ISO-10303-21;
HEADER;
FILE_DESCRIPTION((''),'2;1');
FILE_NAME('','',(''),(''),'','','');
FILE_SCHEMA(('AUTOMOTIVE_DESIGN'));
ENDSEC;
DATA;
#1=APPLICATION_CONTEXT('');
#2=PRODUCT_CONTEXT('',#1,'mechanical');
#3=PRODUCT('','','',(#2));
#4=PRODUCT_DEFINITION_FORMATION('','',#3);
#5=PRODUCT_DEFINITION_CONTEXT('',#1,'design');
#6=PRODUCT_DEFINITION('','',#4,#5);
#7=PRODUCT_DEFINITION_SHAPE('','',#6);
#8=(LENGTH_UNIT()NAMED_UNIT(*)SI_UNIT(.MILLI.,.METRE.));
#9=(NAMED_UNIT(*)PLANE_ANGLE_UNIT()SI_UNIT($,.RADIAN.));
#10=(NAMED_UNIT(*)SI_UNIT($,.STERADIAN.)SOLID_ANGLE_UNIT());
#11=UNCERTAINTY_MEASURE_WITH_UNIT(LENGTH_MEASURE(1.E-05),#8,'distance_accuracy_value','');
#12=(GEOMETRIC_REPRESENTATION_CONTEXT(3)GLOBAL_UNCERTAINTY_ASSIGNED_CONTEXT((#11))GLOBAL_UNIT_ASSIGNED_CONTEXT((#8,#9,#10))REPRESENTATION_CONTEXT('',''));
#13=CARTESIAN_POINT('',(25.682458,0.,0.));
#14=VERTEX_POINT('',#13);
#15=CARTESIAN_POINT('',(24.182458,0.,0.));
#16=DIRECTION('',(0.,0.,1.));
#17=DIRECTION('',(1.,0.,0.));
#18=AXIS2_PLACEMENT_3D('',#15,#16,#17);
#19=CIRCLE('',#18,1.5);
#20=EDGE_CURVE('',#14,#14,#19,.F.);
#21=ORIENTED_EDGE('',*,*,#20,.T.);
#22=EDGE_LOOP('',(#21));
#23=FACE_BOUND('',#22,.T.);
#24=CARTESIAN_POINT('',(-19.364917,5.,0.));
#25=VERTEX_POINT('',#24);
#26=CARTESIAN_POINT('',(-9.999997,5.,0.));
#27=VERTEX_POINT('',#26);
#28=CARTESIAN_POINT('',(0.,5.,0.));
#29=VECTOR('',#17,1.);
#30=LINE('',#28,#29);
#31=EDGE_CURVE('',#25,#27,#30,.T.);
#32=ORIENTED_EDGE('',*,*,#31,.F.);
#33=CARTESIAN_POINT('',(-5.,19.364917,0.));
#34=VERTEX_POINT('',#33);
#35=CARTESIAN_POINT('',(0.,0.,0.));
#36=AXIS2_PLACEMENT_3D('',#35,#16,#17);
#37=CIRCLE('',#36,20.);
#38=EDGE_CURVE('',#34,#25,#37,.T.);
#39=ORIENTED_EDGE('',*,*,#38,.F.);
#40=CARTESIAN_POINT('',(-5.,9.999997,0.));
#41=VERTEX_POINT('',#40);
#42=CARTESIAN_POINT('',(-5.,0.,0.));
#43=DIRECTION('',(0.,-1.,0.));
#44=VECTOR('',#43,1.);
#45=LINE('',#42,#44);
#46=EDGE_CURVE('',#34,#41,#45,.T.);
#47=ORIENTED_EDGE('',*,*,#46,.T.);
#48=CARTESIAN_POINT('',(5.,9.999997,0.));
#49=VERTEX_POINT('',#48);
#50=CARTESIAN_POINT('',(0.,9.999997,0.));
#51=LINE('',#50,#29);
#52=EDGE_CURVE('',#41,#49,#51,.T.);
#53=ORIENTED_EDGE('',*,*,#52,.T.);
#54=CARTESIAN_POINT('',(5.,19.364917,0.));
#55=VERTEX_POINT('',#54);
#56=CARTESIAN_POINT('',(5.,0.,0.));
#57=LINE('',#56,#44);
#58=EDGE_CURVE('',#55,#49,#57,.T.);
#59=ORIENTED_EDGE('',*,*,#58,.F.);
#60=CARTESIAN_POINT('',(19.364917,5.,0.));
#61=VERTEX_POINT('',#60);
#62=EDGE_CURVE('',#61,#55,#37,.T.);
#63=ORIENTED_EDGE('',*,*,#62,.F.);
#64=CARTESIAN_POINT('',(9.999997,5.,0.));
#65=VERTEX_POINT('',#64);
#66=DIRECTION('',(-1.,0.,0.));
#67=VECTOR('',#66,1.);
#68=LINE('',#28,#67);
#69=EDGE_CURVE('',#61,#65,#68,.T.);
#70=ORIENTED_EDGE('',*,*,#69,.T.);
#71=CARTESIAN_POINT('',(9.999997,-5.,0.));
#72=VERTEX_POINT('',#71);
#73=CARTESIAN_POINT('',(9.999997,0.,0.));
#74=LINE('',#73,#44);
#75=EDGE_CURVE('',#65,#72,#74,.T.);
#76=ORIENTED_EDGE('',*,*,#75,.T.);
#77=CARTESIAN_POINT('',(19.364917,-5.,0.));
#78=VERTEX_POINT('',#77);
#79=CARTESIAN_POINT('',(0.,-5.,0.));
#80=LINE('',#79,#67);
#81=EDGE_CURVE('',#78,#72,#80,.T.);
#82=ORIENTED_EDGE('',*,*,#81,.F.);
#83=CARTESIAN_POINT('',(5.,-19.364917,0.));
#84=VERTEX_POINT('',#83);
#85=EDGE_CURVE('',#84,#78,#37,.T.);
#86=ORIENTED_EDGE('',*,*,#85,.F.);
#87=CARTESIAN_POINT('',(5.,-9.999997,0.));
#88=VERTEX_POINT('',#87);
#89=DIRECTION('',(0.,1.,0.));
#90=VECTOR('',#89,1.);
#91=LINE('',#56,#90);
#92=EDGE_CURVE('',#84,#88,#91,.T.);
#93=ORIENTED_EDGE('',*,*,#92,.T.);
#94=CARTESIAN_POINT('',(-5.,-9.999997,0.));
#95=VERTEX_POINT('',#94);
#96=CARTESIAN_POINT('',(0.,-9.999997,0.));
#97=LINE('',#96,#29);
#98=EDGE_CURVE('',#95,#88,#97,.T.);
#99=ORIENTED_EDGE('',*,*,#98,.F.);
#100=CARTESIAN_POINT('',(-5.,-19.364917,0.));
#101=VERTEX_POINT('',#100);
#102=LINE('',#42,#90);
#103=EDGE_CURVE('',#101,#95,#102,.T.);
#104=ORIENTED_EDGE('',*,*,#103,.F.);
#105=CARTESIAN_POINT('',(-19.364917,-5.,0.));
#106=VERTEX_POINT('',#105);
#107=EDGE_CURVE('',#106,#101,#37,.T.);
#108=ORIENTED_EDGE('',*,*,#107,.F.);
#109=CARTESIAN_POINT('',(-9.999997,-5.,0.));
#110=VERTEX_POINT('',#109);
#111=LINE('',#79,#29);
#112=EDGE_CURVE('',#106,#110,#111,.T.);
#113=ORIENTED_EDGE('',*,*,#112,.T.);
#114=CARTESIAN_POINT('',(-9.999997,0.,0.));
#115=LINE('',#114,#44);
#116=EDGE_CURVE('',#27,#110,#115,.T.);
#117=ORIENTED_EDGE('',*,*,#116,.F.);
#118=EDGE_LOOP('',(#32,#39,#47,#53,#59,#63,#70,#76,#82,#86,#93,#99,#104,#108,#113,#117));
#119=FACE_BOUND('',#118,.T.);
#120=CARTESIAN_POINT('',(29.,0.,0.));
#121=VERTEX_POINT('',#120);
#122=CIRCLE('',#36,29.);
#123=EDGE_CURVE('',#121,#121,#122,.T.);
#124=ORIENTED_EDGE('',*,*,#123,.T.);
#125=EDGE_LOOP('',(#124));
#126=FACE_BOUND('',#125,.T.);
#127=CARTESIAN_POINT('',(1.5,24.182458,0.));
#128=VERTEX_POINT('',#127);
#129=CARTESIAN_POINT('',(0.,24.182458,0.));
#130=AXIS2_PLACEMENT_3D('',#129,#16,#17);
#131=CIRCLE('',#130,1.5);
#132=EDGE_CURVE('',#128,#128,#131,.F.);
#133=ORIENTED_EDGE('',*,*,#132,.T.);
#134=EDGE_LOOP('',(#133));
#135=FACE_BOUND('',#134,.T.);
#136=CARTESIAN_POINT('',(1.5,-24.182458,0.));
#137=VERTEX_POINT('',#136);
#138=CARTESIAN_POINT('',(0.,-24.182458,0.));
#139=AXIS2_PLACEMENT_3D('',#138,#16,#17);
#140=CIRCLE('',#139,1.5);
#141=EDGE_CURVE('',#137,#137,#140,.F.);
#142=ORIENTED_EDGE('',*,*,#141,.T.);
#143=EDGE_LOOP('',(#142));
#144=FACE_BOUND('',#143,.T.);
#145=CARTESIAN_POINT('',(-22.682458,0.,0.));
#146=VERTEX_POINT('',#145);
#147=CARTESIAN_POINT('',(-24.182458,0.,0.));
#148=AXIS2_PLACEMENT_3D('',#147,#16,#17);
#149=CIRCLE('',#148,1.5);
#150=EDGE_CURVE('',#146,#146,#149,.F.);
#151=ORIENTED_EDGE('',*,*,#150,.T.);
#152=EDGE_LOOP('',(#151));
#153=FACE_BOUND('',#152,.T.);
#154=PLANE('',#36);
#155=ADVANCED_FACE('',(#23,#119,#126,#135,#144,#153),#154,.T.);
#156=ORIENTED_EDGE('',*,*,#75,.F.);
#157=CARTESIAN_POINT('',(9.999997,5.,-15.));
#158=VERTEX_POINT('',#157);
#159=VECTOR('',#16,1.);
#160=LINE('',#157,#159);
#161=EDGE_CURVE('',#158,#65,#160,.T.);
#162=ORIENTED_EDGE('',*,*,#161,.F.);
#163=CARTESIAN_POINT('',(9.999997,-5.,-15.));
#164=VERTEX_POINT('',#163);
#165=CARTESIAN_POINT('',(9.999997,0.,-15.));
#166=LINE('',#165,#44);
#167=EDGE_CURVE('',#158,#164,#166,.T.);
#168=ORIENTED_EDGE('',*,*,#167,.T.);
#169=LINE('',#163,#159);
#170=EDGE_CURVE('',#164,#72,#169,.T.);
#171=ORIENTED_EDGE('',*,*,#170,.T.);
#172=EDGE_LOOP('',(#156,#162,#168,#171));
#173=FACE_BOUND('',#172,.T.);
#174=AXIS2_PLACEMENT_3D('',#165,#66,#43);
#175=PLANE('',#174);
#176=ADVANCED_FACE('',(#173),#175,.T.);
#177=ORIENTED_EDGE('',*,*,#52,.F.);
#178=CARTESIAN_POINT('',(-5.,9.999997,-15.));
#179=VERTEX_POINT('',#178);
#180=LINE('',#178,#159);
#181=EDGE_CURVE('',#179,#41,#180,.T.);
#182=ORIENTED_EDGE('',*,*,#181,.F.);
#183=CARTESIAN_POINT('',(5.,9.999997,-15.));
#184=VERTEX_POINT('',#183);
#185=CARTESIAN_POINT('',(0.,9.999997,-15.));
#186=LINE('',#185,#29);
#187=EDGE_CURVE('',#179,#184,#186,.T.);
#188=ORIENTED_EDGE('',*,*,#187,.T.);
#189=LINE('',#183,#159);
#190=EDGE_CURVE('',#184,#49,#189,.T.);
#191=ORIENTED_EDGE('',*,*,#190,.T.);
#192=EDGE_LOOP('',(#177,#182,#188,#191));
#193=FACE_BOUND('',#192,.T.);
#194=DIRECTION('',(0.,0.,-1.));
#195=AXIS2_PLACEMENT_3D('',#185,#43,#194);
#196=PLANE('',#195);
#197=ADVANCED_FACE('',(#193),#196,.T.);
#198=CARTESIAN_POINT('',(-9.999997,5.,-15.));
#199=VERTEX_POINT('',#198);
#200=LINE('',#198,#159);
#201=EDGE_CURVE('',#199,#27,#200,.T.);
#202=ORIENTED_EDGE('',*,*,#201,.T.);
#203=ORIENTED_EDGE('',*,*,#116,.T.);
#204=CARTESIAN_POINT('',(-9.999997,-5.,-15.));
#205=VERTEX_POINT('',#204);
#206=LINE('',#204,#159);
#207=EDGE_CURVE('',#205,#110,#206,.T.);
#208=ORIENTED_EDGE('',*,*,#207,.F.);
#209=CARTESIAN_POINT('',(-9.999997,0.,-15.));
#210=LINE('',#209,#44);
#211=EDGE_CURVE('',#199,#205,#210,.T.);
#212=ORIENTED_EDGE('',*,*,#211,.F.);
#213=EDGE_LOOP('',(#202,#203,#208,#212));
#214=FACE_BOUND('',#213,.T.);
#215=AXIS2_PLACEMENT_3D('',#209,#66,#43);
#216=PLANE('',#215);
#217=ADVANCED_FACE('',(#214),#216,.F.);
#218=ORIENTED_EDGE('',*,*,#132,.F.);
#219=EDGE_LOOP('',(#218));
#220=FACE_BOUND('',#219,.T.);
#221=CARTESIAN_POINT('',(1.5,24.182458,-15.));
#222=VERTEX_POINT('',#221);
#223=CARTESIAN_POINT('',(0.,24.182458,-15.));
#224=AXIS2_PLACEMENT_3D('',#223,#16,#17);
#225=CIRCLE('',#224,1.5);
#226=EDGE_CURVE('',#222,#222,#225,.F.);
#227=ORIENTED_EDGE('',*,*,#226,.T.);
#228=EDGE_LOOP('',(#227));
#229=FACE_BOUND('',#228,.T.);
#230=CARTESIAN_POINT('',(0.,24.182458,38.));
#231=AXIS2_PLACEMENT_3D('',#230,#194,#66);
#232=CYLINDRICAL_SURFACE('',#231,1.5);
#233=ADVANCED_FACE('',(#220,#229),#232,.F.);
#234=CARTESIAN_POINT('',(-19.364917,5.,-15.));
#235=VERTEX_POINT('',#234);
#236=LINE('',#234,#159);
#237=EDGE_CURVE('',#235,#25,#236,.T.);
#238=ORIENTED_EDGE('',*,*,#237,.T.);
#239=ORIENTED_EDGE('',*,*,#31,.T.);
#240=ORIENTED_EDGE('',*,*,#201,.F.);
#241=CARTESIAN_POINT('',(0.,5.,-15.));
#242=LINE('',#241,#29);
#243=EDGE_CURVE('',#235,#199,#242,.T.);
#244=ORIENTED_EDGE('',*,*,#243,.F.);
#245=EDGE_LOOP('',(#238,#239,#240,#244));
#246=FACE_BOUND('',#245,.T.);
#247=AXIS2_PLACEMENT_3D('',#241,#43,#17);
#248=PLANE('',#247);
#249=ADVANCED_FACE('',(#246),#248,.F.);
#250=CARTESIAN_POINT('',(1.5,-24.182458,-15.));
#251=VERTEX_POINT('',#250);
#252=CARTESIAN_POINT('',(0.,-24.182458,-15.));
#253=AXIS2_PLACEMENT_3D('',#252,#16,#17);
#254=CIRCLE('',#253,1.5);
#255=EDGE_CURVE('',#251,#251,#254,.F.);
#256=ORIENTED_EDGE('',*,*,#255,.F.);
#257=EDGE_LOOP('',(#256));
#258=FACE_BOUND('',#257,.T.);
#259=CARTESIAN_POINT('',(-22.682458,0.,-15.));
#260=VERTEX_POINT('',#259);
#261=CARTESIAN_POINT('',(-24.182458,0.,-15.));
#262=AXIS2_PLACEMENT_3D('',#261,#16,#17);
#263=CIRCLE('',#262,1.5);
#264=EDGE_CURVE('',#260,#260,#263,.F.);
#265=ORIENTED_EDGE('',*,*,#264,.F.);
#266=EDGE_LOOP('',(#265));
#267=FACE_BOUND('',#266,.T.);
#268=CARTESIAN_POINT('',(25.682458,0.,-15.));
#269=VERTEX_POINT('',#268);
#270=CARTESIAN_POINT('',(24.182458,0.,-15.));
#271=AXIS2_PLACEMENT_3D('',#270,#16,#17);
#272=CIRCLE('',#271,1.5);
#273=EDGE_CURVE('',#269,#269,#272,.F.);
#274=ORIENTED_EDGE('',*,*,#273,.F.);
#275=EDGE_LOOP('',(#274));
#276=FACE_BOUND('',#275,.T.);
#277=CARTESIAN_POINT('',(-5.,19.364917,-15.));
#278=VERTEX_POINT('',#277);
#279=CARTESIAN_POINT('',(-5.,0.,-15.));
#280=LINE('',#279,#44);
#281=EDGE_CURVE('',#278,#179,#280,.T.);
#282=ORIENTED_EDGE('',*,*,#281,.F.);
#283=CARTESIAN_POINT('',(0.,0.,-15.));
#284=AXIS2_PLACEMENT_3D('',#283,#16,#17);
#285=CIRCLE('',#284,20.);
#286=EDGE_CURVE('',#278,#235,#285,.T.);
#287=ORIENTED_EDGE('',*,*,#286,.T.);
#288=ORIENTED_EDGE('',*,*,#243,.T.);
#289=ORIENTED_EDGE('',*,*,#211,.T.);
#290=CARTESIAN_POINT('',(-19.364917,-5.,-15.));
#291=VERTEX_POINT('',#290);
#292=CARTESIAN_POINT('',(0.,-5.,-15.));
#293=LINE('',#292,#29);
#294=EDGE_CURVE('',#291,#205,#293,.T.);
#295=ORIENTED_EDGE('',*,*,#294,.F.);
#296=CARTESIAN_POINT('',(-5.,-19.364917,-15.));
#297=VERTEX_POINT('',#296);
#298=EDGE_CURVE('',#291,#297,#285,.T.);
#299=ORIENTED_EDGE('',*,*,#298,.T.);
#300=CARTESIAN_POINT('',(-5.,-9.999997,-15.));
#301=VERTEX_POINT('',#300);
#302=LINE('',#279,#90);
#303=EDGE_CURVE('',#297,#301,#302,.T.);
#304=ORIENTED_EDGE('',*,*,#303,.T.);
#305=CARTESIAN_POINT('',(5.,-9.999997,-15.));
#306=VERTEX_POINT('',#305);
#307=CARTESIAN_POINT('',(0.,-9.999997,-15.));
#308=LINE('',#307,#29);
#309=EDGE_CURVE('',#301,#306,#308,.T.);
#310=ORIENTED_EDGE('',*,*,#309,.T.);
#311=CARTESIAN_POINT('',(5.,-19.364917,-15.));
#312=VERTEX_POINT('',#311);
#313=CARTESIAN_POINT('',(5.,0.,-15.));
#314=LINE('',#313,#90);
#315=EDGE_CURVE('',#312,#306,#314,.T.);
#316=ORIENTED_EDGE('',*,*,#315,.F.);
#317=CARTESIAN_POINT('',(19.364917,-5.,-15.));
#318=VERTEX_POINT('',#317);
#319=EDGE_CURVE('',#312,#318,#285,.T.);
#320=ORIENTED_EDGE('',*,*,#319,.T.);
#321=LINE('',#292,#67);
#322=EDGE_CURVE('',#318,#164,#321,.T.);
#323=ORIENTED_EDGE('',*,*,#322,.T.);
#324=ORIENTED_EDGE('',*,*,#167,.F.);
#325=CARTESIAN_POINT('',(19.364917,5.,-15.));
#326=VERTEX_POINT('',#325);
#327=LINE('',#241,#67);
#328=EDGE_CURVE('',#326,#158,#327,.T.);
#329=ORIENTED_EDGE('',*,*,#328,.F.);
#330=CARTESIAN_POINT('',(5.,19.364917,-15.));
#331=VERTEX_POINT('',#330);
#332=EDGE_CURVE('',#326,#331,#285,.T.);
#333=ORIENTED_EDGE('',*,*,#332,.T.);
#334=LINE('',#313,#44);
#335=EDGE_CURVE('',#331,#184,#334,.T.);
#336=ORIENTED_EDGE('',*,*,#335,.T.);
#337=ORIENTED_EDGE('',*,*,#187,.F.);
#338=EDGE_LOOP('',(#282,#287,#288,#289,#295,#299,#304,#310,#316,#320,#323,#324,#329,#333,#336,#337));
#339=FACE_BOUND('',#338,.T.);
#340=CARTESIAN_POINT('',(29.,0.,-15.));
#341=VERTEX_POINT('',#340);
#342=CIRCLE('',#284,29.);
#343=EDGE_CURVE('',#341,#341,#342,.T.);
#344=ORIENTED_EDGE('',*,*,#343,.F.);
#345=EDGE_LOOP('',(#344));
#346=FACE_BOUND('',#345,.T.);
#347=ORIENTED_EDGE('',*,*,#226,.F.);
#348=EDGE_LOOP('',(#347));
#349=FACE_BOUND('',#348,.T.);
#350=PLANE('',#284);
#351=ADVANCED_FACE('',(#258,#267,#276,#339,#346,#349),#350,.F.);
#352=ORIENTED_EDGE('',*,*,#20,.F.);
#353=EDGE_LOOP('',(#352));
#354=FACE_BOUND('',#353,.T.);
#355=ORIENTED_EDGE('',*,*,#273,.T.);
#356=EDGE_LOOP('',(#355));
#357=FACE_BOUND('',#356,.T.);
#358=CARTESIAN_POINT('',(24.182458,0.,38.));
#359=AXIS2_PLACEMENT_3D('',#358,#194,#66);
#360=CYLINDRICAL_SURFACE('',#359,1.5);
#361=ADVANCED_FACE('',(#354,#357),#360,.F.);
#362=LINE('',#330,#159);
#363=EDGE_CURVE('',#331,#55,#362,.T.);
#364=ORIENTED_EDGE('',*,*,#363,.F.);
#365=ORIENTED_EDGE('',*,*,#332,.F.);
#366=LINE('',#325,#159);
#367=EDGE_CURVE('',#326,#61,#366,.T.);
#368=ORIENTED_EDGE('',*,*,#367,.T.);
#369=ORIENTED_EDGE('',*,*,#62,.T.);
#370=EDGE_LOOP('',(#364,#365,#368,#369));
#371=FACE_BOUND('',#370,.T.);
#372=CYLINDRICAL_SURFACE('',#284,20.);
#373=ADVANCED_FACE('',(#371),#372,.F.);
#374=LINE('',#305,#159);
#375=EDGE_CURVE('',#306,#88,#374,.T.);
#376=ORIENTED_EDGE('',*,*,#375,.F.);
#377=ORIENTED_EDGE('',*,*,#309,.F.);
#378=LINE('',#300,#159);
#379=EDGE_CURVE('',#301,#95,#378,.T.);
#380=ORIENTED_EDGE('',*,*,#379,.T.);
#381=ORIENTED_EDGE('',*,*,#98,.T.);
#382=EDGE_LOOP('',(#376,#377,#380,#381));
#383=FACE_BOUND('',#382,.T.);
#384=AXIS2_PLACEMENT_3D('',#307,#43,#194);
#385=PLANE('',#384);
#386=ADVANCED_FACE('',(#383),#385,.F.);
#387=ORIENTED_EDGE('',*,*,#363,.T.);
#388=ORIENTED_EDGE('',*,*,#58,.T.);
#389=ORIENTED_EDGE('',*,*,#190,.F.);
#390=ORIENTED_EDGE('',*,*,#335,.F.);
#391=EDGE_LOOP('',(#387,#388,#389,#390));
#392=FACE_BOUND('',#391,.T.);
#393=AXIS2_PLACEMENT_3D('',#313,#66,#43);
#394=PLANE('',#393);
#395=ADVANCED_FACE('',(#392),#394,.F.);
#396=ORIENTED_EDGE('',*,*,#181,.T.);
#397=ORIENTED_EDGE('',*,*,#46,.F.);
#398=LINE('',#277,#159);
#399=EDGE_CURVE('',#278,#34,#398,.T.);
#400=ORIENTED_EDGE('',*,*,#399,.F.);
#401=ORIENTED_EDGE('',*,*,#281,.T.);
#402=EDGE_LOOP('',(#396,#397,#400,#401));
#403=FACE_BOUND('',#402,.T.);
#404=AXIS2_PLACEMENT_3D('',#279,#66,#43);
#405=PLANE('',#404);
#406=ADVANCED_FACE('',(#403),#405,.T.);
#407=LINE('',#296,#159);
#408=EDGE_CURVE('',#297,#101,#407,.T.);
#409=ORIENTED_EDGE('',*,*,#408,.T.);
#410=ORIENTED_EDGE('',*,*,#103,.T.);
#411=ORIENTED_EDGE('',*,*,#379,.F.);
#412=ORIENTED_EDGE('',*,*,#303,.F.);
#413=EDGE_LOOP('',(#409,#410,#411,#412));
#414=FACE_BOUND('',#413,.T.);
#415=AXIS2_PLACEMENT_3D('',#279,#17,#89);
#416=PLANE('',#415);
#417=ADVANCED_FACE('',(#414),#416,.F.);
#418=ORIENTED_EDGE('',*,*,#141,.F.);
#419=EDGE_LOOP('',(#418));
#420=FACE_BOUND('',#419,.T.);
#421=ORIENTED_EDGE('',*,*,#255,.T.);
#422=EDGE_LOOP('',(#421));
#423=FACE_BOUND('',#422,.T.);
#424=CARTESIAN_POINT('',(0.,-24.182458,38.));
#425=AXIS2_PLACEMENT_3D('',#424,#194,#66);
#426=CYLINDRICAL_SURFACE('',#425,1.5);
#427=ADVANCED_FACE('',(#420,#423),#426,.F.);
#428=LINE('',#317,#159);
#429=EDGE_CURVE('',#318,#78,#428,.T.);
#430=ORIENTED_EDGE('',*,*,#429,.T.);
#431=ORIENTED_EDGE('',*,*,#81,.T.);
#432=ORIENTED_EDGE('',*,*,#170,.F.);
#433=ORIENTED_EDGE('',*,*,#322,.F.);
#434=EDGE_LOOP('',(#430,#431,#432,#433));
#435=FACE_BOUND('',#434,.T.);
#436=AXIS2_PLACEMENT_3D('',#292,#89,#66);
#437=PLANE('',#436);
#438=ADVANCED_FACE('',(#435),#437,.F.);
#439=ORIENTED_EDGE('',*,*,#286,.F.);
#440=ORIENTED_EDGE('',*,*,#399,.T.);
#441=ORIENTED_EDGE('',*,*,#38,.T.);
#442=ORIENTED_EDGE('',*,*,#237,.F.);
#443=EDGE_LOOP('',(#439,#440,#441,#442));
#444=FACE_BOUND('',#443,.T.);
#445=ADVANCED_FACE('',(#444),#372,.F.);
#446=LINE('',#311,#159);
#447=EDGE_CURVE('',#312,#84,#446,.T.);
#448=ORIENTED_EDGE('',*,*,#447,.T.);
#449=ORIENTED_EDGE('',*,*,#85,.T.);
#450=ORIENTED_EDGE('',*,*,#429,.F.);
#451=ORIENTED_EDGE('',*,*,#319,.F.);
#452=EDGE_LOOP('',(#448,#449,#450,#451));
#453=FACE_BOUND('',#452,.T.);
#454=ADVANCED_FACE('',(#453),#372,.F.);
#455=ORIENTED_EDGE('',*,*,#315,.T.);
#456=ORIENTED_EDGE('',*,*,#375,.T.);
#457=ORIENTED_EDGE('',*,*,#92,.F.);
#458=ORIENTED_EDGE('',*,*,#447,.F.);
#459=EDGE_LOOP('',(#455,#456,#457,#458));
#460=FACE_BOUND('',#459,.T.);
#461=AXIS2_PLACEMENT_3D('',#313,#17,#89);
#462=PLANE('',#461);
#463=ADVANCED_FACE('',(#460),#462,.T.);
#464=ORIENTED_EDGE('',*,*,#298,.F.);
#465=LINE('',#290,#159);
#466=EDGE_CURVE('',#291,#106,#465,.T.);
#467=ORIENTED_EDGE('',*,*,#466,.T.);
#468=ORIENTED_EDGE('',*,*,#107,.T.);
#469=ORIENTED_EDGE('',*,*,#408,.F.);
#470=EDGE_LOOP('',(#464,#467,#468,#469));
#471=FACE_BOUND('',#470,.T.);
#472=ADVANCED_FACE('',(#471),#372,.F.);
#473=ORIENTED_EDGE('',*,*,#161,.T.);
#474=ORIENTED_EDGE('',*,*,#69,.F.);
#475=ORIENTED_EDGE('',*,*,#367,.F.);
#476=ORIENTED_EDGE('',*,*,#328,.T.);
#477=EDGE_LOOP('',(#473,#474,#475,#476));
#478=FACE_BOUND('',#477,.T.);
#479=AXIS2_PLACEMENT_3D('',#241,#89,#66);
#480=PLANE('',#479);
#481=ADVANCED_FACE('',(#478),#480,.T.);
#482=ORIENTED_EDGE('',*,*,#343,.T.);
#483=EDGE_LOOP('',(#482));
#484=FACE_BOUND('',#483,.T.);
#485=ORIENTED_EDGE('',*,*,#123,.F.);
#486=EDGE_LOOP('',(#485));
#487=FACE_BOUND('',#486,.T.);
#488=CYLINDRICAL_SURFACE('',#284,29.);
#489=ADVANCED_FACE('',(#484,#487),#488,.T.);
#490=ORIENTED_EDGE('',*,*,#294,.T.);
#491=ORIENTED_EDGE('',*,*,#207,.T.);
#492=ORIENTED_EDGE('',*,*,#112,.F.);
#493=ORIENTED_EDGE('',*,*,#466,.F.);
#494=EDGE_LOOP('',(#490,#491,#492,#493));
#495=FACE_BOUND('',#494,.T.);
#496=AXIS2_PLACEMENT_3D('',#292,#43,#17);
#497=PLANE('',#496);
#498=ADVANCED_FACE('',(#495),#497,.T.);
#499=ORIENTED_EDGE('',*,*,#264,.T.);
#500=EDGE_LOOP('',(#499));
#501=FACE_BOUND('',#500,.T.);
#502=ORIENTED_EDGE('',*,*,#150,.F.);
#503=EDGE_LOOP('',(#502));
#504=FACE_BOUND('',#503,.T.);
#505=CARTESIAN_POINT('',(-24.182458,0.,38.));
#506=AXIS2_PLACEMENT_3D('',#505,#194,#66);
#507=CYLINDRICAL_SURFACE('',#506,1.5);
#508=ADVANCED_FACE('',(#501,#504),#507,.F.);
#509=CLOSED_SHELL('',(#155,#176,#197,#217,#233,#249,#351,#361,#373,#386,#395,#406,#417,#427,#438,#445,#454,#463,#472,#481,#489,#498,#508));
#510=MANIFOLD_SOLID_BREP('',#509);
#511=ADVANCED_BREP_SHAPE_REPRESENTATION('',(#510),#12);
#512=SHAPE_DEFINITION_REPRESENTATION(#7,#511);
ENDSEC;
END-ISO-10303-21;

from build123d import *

# Parameters (mm, degrees)
SKETCH6_R                 = 29
SKETCH6_R_2               = 20
INNER_RING_DEPTH          = 15
MOTOR_CONNECTOR_CUT_DEPTH = 15
SKETCH8_R                 = 1.5
M3_HOLES_DEPTH            = 38
M3_HOLES_DEPTH_BACK       = 53


with BuildPart() as part:
    # Sketch6 → Inner Ring (new body)
    with BuildSketch(Plane.XY):
        Circle(SKETCH6_R)
        Circle(SKETCH6_R_2, mode=Mode.SUBTRACT)
    extrude(amount=-INNER_RING_DEPTH)

    # Sketch7 → Motor Connector Cut (add)
    with BuildSketch(Plane.XY):
        with BuildLine():
            ThreePointArc((20, 0), (19.840593925, 2.52008585), (19.364916731, 5))
            Line((19.364916731, 5), (9.999996731, 5))
            Line((9.999996731, 5), (9.999996731, -5))
            Line((9.999996731, -5), (19.364916731, -5))
            ThreePointArc((19.364916731, -5), (19.840593925, -2.52008585), (20, 0))
        make_face()
        with BuildLine():
            ThreePointArc((5, 19.364916731), (0, 20), (-5, 19.364916731))
            Line((-5, 19.364916731), (-5, 9.999996731))
            Line((-5, 9.999996731), (5, 9.999996731))
            Line((5, 9.999996731), (5, 19.364916731))
        make_face()
        with BuildLine():
            Line((-9.999996731, -5), (-9.999996731, 5))
            Line((-9.999996731, 5), (-19.364916731, 5))
            ThreePointArc((-19.364916731, 5), (-20, 0), (-19.364916731, -5))
            Line((-19.364916731, -5), (-9.999996731, -5))
        make_face()
        with BuildLine():
            Line((-5, -9.999996731), (-5, -19.364916731))
            ThreePointArc((-5, -19.364916731), (0, -20), (5, -19.364916731))
            Line((5, -19.364916731), (5, -9.999996731))
            Line((5, -9.999996731), (-5, -9.999996731))
        make_face()
    extrude(amount=-MOTOR_CONNECTOR_CUT_DEPTH)

    # Sketch8 → M3 Holes (cut, two sides)
    with BuildSketch(Plane.XY) as m3_holes_sk:
        with Locations((0, 24.182458366)):
            Circle(SKETCH8_R)
        with Locations((24.182458366, 0)):
            Circle(SKETCH8_R)
        with Locations((0, -24.182458366)):
            Circle(SKETCH8_R)
        with Locations((-24.182458366, 0)):
            Circle(SKETCH8_R)
    extrude(amount=M3_HOLES_DEPTH, mode=Mode.SUBTRACT)
    extrude(m3_holes_sk.sketch, amount=-M3_HOLES_DEPTH_BACK, mode=Mode.SUBTRACT)


solid = part.part
